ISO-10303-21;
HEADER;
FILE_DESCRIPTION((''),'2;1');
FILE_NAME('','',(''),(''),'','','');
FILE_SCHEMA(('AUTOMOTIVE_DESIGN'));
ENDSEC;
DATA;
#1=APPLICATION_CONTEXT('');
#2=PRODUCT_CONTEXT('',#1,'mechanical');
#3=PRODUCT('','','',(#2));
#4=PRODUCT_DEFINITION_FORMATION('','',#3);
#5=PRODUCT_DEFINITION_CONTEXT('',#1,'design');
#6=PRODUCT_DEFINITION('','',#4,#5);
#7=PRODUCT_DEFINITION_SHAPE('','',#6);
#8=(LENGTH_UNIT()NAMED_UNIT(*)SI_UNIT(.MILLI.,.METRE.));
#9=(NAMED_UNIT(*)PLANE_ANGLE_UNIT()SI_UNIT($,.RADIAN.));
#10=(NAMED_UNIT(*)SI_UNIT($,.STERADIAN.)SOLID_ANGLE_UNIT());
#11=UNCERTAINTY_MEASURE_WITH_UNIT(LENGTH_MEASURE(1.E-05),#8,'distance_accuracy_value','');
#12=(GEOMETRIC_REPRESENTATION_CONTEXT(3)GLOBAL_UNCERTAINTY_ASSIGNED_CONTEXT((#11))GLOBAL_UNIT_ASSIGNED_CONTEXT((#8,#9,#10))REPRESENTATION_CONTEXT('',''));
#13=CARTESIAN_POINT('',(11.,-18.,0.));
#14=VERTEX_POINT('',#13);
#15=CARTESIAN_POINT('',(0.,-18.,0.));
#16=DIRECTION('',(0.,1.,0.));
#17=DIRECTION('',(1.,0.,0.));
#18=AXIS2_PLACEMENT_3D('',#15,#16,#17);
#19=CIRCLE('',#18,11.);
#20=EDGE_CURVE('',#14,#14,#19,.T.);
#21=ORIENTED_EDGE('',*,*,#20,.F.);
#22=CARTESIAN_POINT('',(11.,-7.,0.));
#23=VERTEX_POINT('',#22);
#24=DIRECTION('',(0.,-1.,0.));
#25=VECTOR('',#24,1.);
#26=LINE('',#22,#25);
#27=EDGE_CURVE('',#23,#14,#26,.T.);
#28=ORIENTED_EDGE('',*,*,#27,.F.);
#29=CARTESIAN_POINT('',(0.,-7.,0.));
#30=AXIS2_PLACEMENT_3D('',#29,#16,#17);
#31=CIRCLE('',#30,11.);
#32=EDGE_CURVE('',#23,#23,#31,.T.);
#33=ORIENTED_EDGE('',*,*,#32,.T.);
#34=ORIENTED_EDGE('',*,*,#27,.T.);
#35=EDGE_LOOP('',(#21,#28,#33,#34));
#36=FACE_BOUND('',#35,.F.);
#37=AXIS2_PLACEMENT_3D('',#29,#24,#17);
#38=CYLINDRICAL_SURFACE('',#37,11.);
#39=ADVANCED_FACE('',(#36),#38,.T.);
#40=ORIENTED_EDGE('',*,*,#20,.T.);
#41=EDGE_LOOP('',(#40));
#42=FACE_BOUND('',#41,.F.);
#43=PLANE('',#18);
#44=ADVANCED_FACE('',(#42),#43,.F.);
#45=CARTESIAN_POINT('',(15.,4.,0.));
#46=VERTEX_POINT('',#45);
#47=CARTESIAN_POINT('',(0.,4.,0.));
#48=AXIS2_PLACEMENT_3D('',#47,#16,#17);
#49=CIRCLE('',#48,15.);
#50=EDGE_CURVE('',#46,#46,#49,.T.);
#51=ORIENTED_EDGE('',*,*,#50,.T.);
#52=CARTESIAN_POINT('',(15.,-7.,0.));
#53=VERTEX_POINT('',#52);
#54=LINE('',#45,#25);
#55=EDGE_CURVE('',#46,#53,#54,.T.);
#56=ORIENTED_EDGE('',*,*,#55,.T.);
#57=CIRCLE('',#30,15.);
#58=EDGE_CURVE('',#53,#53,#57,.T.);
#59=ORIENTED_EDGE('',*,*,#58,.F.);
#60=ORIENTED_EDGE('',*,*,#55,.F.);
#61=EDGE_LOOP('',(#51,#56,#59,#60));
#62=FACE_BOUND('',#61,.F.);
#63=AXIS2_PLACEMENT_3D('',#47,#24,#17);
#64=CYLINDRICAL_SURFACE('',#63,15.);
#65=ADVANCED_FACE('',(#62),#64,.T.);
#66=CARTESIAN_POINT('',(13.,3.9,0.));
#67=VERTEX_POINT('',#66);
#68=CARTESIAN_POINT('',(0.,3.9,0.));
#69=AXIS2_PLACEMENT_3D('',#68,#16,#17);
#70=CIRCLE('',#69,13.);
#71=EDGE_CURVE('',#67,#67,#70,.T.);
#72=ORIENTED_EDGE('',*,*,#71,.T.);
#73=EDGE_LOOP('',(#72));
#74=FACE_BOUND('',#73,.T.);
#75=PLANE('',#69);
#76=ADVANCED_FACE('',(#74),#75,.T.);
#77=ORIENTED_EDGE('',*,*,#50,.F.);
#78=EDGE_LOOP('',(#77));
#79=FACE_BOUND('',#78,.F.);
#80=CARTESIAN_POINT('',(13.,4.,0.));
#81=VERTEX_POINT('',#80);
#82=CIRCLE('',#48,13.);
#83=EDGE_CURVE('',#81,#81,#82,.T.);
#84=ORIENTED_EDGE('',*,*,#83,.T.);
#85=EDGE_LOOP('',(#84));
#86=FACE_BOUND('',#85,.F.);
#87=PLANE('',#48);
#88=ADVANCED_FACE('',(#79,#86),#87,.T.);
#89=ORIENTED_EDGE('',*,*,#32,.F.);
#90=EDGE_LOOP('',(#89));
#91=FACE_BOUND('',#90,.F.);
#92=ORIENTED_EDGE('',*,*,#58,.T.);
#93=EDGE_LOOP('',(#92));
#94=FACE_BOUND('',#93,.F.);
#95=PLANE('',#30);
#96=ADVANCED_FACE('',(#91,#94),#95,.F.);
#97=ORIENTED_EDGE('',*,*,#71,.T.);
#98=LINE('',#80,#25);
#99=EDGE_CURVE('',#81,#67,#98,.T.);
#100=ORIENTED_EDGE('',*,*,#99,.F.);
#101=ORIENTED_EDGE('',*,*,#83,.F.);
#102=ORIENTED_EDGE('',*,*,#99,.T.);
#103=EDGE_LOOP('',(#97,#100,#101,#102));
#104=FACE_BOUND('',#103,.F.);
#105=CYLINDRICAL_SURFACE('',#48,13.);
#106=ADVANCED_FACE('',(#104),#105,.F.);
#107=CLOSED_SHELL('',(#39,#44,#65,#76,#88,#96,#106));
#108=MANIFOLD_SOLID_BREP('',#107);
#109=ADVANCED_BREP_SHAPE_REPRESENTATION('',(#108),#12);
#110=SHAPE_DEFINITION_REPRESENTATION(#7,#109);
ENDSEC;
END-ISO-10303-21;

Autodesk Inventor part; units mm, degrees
ref_plane "YZ Plane" through (0, 0, 0) normal (1, 0, 0) x (0, 1, 0)
ref_plane "XZ Plane" through (0, 0, 0) normal (0, 1, 0) x (-1, 0, 0)
ref_plane "XY Plane" through (0, 0, 0) normal (0, 0, 1) x (1, 0, 0)
sketch "Szkic1" plane through (0, 0, 0) normal (0, 0, 1) x (1, 0, 0)
  line L0 (0, 4) -> (15, 4)
  line L1 (15, 4) -> (15, -7)
  line L2 (15, -7) -> (11, -7)
  line L3 (11, -7) -> (11, -18)
  line L4 (11, -18) -> (0, -18)
  line L5 (0, -18) -> (0, 4)
  line L6 (0, -22.4) -> (0, 8.4) projected
  point P0 (0, 0)
  dimension "d0" = 15
  dimension "d1" = 11
  dimension "d2" = 4
  dimension "d3" = 11
revolve "Obrót1" add sketch "Szkic1" angle 360 about axis through (0, -10, 0) along (0, 1, 0)
sketch "Szkic2" plane through (0, 4, 0) normal (0, 1, 0) x (1, 0, 0)
  circle A0 centre (0, 0) radius 15 projected
  circle A1 centre (0, 0) radius 13
  dimension "d5" = 2
extrude "Wyciągnięcie proste1" cut sketch "Szkic2" against normal blind 0.1 contours A1
properties part number "COTS_GENERIC_22mm_Industrial_Button_Green_Pause_Reset"
